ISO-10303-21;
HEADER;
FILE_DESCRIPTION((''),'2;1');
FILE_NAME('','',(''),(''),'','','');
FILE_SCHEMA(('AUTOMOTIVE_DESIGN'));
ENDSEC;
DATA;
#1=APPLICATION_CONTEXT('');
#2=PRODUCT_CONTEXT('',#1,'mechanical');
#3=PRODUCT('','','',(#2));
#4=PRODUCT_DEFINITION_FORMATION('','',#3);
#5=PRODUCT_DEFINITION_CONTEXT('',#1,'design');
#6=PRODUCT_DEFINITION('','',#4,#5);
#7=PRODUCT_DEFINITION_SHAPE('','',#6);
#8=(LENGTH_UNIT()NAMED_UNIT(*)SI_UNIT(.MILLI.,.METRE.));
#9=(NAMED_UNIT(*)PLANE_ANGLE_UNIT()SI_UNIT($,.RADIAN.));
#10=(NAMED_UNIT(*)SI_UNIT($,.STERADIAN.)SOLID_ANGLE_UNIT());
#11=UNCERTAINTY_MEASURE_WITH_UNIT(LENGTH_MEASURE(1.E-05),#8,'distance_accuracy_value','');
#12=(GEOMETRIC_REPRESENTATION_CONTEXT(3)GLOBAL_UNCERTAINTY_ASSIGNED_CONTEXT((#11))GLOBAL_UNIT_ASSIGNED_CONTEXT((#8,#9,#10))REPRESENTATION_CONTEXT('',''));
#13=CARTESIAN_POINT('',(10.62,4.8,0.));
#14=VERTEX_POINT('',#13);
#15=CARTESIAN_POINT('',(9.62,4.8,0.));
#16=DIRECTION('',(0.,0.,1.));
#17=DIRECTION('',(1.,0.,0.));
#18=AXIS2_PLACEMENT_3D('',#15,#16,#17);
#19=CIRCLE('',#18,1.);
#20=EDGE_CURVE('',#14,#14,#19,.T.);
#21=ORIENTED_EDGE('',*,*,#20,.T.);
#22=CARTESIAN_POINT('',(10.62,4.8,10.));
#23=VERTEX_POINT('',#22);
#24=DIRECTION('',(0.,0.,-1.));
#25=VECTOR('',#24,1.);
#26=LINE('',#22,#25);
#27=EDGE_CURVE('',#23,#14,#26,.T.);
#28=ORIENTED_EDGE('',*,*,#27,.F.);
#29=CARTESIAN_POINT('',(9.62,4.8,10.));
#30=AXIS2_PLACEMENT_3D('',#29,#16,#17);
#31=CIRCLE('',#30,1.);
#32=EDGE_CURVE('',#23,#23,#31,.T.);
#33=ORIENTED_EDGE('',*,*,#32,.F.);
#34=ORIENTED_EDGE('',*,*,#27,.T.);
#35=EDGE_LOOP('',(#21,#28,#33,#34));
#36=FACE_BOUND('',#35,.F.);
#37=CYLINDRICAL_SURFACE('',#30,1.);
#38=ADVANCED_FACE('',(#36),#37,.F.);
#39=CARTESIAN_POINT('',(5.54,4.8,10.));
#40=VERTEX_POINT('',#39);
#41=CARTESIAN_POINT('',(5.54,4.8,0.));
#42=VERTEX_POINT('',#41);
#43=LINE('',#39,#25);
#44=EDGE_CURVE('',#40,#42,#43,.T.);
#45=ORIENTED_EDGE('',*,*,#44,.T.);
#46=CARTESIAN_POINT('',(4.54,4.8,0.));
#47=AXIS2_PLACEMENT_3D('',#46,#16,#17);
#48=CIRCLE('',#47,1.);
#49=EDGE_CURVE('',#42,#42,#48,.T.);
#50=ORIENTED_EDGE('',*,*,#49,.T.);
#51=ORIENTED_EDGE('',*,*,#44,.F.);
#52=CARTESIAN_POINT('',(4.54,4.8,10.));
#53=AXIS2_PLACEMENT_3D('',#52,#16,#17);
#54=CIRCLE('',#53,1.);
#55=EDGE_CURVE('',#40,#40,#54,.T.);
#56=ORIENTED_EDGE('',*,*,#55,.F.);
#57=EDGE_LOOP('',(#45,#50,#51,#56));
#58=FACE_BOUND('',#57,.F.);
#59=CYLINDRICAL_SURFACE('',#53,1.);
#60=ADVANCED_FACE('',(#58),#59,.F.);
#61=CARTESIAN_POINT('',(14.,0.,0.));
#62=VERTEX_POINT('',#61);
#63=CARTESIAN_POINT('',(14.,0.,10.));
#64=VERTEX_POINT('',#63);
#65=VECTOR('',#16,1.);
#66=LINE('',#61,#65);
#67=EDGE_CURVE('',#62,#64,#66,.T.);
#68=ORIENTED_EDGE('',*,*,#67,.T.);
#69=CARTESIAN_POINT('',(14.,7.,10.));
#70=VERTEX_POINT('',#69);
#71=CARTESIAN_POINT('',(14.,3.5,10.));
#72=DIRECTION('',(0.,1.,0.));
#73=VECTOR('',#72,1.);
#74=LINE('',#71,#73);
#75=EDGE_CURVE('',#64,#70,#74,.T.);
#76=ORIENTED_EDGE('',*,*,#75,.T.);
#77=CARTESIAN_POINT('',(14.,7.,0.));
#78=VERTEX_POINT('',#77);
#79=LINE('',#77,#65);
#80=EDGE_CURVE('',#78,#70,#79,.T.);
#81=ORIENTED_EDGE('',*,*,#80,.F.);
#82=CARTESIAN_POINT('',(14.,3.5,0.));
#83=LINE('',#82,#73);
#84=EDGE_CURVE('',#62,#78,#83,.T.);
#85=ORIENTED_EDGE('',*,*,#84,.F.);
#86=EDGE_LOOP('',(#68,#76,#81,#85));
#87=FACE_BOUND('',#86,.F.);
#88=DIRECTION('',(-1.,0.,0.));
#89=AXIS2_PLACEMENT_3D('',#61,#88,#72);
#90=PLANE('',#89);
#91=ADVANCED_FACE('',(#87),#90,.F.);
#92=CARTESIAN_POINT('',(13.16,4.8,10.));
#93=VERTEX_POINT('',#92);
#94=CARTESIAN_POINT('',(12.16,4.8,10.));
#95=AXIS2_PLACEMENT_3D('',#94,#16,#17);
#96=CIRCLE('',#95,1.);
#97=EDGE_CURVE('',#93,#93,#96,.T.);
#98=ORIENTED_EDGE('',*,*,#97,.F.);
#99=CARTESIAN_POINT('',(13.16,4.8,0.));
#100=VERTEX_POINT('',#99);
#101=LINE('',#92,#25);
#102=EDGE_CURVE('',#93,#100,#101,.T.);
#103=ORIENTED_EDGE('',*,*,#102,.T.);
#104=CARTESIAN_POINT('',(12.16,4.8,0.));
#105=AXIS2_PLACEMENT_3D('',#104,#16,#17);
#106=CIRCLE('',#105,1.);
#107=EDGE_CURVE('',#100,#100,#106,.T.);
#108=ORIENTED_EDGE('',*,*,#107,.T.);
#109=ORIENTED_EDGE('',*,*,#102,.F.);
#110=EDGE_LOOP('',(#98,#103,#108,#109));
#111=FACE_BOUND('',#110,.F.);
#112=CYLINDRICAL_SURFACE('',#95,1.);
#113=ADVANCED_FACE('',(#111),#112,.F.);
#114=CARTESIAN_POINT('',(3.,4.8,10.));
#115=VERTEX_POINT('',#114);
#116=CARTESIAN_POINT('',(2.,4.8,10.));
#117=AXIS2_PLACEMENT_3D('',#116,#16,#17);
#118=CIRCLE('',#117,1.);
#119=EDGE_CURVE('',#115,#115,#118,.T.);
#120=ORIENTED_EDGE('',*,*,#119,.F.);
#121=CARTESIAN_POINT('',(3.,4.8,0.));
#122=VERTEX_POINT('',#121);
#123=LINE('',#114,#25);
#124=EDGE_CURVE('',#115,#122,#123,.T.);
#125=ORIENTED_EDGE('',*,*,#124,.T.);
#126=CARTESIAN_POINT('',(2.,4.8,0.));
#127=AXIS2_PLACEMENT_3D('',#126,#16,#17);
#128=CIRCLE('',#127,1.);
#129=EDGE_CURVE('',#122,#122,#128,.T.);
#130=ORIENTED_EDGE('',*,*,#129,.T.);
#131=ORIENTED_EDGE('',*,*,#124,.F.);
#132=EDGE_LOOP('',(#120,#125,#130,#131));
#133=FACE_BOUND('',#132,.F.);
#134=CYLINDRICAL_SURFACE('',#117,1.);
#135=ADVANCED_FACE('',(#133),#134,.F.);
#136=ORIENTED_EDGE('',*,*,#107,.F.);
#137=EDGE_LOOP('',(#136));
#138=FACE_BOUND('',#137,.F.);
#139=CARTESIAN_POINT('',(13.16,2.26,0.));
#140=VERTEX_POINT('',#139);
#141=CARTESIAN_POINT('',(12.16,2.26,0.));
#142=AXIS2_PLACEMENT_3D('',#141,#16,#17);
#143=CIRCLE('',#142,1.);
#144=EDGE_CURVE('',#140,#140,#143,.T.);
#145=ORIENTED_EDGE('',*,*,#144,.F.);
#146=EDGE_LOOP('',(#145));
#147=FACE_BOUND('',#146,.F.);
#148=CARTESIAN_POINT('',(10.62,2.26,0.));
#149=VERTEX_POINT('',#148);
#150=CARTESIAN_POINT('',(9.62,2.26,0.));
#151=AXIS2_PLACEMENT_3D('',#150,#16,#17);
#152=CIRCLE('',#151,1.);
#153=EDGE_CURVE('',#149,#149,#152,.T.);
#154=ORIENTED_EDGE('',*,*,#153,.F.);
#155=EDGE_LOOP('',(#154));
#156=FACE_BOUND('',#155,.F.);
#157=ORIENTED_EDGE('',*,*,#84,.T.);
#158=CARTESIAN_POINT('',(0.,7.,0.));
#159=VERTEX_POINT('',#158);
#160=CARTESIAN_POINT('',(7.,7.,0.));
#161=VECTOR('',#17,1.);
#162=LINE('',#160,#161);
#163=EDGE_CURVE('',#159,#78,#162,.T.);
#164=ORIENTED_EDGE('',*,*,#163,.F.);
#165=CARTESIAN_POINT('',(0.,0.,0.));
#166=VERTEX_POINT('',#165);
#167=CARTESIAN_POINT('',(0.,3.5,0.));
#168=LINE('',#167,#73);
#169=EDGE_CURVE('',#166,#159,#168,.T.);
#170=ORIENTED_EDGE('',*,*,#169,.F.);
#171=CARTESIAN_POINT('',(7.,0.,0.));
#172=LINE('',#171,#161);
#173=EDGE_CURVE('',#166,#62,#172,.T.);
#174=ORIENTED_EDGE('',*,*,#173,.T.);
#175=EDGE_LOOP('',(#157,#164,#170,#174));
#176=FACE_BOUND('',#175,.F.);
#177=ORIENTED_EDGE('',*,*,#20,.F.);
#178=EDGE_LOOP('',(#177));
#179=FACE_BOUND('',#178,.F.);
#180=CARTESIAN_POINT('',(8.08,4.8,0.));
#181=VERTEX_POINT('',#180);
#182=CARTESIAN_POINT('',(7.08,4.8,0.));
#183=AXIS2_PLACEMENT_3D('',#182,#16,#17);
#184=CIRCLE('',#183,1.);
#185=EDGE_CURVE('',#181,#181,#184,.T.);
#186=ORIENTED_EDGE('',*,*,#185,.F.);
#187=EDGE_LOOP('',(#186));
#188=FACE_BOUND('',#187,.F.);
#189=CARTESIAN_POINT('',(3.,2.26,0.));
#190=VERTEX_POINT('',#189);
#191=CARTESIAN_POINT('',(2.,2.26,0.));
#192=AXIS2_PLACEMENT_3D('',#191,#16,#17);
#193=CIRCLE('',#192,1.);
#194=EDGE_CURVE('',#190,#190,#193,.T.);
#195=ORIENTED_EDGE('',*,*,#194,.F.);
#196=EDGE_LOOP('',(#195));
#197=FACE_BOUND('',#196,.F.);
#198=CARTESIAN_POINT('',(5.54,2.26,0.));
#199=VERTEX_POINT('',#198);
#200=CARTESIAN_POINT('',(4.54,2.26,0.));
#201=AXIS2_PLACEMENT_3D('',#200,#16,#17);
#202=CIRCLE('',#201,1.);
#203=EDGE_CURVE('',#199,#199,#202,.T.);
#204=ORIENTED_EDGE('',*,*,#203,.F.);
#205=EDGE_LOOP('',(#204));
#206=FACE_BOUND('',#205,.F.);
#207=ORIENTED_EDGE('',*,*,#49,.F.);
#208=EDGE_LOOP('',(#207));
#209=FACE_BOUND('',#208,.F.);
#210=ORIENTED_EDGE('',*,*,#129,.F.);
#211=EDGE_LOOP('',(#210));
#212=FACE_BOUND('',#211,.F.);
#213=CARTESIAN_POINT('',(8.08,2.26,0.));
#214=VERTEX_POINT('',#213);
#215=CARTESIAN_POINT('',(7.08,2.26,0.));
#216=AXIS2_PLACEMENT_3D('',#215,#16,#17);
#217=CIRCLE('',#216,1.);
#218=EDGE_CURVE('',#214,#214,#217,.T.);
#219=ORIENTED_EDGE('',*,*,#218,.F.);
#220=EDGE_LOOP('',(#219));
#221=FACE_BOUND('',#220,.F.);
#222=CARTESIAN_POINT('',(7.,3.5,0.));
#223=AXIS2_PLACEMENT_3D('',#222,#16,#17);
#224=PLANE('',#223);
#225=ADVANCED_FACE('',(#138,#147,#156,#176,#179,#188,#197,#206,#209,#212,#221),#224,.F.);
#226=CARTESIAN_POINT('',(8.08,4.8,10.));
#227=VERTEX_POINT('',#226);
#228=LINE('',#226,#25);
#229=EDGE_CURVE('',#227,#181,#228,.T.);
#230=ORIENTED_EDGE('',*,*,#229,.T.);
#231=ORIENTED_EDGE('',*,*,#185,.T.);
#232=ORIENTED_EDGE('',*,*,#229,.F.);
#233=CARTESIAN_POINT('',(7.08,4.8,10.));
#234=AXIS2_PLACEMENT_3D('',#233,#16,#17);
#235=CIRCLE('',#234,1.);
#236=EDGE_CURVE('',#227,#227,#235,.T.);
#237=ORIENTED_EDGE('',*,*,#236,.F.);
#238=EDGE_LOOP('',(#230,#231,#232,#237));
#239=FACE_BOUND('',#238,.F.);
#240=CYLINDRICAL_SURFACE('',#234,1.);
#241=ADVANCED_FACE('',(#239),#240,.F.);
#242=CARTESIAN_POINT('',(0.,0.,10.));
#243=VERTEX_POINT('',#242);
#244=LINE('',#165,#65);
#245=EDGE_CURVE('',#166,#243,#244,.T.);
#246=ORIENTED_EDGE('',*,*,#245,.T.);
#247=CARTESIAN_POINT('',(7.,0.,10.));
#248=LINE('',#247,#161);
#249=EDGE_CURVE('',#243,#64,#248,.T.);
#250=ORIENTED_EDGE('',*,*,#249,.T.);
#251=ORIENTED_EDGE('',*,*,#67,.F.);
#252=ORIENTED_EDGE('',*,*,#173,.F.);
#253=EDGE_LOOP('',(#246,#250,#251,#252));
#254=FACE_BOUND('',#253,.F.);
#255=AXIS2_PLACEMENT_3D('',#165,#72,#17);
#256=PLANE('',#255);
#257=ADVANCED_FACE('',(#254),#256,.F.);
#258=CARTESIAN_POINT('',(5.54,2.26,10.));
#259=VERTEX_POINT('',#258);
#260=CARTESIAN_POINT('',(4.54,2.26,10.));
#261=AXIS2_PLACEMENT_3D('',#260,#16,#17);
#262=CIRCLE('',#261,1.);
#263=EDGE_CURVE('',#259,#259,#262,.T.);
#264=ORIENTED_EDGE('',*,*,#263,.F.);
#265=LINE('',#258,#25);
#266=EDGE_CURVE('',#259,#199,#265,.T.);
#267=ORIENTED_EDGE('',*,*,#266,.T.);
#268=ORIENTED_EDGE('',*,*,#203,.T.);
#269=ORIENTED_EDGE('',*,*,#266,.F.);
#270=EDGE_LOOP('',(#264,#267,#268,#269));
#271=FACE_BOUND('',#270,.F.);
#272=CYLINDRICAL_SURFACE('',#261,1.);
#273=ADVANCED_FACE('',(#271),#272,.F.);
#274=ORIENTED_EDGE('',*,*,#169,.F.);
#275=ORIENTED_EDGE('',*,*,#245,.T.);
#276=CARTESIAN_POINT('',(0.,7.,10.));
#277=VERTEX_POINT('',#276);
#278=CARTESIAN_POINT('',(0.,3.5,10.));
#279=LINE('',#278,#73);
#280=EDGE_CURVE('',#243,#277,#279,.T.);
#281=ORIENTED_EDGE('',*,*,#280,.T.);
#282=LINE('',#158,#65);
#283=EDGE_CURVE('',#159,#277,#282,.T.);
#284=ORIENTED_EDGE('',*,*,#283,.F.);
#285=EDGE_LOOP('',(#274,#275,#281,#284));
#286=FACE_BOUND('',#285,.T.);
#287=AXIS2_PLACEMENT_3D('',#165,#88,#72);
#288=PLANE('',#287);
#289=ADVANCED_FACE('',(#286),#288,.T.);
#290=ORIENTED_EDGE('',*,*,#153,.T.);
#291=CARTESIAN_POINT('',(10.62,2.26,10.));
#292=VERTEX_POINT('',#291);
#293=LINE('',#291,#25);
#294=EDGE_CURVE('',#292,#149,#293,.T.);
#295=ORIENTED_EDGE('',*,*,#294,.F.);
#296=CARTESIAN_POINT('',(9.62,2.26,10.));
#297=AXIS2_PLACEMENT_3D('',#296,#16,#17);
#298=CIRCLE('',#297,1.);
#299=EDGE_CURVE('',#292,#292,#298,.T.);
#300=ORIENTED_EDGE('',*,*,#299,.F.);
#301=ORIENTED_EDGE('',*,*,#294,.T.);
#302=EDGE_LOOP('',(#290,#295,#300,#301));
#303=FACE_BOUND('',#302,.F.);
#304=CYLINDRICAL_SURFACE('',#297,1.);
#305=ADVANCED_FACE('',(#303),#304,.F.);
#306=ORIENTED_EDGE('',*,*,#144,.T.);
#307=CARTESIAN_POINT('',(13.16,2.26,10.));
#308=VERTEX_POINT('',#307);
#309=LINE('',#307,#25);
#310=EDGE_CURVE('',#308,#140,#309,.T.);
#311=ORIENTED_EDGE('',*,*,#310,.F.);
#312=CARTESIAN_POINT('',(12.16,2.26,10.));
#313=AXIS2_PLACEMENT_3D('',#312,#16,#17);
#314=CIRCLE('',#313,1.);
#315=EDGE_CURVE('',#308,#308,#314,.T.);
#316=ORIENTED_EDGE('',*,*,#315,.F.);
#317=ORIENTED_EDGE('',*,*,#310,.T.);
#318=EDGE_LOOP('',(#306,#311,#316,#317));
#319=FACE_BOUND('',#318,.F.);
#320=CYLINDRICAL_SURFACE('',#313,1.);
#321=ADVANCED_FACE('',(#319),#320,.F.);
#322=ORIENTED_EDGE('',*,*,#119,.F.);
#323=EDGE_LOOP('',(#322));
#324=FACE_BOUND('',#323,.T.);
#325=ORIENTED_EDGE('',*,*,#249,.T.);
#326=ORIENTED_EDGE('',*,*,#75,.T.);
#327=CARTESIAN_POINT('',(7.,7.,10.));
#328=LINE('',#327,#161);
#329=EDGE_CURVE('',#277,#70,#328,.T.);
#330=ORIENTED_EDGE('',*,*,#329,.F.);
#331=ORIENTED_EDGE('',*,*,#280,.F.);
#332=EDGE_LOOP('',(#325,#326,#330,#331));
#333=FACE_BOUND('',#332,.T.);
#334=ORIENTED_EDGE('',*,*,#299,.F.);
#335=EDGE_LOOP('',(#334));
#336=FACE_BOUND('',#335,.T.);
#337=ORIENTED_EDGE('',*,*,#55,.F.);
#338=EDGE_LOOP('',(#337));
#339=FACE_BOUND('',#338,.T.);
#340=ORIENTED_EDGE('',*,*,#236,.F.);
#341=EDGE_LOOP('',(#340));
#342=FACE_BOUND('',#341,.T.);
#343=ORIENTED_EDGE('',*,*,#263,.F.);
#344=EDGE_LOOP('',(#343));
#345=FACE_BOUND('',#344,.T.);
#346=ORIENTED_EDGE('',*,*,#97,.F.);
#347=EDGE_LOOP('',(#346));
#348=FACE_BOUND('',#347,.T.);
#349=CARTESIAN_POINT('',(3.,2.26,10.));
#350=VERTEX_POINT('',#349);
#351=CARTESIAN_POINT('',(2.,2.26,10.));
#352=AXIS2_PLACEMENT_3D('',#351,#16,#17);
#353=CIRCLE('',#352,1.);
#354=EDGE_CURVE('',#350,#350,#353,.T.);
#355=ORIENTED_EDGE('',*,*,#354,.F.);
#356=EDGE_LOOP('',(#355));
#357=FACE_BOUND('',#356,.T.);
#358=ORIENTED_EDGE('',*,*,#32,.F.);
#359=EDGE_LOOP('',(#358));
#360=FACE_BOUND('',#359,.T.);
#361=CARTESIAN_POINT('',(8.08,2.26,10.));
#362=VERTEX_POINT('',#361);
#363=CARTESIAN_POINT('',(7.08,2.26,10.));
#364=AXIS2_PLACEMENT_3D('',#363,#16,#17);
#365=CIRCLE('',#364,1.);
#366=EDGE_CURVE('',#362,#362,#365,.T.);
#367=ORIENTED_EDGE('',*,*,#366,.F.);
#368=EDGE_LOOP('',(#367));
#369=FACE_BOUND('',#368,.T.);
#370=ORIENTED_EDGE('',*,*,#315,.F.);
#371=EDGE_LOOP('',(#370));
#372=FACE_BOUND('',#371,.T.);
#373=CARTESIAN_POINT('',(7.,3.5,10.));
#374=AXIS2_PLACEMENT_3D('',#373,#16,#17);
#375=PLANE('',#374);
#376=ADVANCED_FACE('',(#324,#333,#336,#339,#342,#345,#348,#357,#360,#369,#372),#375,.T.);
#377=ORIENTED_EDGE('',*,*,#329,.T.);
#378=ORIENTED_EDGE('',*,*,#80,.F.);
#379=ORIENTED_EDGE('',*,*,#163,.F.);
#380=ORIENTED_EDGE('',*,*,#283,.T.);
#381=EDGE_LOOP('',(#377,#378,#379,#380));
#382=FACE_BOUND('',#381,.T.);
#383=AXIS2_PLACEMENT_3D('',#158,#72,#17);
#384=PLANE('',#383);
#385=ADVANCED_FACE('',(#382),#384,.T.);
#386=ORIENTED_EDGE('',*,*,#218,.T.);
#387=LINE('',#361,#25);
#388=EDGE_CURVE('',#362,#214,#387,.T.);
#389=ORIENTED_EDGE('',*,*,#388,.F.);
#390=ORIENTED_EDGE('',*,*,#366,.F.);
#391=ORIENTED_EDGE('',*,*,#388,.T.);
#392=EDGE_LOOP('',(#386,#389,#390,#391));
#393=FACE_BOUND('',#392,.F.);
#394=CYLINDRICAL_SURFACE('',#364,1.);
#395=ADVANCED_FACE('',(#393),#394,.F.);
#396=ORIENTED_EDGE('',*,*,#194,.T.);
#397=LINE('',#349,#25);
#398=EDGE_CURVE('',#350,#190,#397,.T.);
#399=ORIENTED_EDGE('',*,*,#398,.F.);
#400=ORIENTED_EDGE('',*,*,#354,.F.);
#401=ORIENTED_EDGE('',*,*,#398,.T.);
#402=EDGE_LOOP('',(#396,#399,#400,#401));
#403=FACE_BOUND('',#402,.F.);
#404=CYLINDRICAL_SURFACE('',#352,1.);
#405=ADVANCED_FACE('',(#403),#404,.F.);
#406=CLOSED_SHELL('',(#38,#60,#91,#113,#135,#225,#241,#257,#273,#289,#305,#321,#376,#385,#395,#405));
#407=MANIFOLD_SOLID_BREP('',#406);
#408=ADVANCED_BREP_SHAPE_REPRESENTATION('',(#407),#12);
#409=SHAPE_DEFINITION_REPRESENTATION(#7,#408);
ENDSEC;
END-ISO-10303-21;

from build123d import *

# Parameters (mm, degrees)
BOX_W        = 14
BOX_H        = 7
BOX_DEPTH    = 10
SKETCH_R     = 1
POCKET_DEPTH = 10


with BuildPart() as part:
    # Box → Box (new body)
    with BuildSketch(Plane.XY):
        with Locations((7, 3.5)):
            Rectangle(BOX_W, BOX_H)
    extrude(amount=BOX_DEPTH)

    # Sketch → Pocket (cut)
    with BuildSketch(Plane.XY.offset(10)):
        with Locations((2, 2.26)):
            Circle(SKETCH_R)
        with Locations((4.54, 2.26)):
            Circle(SKETCH_R)
        with Locations((7.08, 2.26)):
            Circle(SKETCH_R)
        with Locations((9.62, 2.26)):
            Circle(SKETCH_R)
        with Locations((12.16, 2.26)):
            Circle(SKETCH_R)
        with Locations((2, 4.8)):
            Circle(SKETCH_R)
        with Locations((4.54, 4.8)):
            Circle(SKETCH_R)
        with Locations((7.08, 4.8)):
            Circle(SKETCH_R)
        with Locations((9.62, 4.8)):
            Circle(SKETCH_R)
        with Locations((12.16, 4.8)):
            Circle(SKETCH_R)
    extrude(amount=-POCKET_DEPTH, mode=Mode.SUBTRACT)


solid = part.part
